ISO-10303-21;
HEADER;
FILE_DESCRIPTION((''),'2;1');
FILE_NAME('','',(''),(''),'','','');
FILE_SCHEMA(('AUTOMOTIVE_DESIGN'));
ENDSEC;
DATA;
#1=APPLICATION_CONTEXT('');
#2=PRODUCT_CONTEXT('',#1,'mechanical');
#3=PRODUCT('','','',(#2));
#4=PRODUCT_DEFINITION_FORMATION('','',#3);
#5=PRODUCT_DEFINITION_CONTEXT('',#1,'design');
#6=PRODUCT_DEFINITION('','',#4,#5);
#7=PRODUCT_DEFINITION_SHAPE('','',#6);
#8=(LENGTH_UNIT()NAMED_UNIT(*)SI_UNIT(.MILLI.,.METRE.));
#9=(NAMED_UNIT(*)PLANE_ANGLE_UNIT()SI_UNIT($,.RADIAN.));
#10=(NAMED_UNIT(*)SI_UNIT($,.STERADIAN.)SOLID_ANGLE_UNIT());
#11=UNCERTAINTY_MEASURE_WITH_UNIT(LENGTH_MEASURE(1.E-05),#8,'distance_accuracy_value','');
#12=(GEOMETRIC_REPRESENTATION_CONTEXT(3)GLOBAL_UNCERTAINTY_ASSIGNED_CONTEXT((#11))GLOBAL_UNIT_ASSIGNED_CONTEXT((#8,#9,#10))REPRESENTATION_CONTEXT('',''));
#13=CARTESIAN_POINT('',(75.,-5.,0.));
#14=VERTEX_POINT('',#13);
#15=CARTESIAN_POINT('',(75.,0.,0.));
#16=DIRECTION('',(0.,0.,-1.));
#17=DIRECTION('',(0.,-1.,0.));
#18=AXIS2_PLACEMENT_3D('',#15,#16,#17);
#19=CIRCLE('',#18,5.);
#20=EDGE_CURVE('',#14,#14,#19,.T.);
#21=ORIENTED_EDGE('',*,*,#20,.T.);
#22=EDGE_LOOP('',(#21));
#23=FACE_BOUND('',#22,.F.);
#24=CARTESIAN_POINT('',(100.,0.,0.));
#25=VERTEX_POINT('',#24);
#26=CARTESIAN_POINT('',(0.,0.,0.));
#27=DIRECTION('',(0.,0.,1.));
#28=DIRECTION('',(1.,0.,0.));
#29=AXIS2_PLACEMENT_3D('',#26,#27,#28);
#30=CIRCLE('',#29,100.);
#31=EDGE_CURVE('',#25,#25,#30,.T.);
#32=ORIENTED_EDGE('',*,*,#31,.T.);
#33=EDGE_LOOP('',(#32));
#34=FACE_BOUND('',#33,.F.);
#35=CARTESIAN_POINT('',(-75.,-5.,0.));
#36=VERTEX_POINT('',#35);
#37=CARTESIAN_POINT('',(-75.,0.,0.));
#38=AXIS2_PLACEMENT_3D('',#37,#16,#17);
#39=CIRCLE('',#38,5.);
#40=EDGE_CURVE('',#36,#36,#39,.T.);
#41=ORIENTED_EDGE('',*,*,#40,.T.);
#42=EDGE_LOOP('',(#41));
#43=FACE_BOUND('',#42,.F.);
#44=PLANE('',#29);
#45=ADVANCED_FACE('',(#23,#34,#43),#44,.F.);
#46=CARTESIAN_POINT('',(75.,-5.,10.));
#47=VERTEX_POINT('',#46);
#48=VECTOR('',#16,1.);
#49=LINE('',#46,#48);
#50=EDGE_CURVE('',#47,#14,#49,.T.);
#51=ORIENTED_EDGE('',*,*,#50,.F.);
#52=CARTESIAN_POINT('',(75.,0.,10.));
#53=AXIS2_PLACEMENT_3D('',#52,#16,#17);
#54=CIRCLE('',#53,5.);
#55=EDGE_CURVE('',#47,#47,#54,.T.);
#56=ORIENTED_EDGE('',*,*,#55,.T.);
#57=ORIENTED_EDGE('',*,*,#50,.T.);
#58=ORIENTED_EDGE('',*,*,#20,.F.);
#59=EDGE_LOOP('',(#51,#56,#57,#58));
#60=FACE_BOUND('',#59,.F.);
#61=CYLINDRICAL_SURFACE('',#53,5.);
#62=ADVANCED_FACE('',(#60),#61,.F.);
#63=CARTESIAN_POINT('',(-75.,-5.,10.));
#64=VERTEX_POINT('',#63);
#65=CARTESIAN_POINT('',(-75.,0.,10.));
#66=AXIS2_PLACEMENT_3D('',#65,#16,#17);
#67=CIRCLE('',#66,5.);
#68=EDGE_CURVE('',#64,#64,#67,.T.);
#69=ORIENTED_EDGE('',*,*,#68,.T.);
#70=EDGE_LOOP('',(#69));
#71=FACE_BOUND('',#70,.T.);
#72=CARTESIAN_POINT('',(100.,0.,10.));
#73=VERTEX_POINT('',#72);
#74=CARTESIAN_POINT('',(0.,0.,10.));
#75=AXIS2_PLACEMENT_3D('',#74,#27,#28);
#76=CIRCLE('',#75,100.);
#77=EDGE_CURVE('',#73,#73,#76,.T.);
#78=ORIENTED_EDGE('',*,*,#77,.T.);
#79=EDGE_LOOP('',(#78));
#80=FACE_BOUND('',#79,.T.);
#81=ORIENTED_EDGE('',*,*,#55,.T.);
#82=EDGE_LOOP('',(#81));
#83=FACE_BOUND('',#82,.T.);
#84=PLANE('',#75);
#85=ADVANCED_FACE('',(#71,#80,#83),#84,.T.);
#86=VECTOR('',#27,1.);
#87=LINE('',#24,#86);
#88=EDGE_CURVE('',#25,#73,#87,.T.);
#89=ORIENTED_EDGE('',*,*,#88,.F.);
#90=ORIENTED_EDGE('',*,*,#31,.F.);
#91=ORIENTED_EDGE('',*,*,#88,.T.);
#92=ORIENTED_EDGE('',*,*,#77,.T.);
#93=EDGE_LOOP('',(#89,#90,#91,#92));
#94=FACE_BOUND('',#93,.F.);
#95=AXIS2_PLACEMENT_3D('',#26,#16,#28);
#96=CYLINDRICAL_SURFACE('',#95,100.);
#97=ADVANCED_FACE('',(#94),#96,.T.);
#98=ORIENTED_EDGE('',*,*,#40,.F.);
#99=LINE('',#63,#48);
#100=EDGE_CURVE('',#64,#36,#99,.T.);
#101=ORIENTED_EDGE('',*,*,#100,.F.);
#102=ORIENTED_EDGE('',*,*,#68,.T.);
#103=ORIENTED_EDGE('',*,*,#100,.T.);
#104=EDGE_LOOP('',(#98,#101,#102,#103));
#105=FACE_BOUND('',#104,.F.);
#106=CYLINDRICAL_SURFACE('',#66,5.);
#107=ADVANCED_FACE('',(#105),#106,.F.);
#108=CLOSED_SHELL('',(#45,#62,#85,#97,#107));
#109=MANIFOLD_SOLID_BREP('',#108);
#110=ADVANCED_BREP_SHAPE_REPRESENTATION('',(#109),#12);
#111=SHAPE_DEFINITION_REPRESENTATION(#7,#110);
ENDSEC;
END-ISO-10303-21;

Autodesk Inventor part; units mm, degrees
ref_plane "YZ Plane" through (0, 0, 0) normal (1, 0, 0) x (0, 1, 0)
ref_plane "XZ Plane" through (0, 0, 0) normal (0, 1, 0) x (-1, 0, 0)
ref_plane "XY Plane" through (0, 0, 0) normal (0, 0, 1) x (1, 0, 0)
sketch "スケッチ1" plane through (0, 0, 0) normal (0, 0, 1) x (1, 0, 0)
  circle A0 centre (0, 0) radius 100
  dimension "d0" = 200
extrude "押し出し1" add sketch "スケッチ1" along normal blind 10
sketch "スケッチ2" plane through (0, 0, 10) normal (0, 0, 1) x (1, 0, 0)
  circle A0 centre (0, 0) radius 75
  point P0 (-75, 0)
  point P1 (75, 0)
  dimension "d3" = 150
hole "穴1" at (-75, 0, 10) at (75, 0, 10) direction (0, 0, -1) diameter 10 end through all
sketch "スケッチ3" plane through (0, 0, 0) normal (0, 0, -1) x (-1, 0, 0)
  circle A0 centre (0, 0) radius 100 projected
  point P0 (0, 100)
ref_plane "作業平面1" through (0, 100, 0) normal (1, 0, 0) x (0, 1, 0)
properties part number "スプロケ仮"
